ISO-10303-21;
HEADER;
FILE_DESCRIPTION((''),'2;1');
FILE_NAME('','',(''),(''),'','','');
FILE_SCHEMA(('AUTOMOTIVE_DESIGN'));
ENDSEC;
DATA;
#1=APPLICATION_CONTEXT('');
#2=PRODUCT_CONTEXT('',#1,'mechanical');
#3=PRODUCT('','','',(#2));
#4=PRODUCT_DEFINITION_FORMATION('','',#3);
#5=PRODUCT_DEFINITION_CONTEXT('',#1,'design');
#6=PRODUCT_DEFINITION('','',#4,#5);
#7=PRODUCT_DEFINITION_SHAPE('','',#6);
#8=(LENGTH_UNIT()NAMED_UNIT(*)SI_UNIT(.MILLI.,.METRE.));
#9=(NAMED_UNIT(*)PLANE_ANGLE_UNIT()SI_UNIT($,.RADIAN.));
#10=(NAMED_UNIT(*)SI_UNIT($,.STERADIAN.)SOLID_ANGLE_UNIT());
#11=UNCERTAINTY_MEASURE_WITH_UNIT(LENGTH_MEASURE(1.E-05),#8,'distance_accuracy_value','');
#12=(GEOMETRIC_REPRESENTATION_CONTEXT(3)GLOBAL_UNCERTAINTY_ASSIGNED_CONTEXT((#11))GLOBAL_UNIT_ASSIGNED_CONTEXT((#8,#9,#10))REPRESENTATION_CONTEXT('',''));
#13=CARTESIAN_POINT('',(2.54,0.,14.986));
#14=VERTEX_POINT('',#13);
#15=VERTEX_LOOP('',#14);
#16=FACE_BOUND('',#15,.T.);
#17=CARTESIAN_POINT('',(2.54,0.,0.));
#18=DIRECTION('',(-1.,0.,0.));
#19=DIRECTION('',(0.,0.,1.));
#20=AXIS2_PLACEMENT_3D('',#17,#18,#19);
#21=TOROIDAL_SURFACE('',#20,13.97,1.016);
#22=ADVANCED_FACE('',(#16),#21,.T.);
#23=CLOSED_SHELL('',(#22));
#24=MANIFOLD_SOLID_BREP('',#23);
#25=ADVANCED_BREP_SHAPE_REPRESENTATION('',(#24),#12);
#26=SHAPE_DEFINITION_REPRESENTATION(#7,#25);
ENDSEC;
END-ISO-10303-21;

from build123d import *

# Parameters (mm, degrees)
SKETCH2_R = 1.016


with BuildPart() as part:
    # Sketch2 → Revolve3 (revolve)
    with BuildSketch(Plane.XY, mode=Mode.PRIVATE) as revolve3_sk:
        with Locations((2.54, -13.97)):
            Circle(SKETCH2_R)
    revolve(revolve3_sk.sketch.rotate(Axis((-34.684965636, 0, 0), (1, 0, 0)), 270), axis=Axis((-34.684965636, 0, 0), (1, 0, 0)))  # turned: the seam where the file's is


solid = part.part
